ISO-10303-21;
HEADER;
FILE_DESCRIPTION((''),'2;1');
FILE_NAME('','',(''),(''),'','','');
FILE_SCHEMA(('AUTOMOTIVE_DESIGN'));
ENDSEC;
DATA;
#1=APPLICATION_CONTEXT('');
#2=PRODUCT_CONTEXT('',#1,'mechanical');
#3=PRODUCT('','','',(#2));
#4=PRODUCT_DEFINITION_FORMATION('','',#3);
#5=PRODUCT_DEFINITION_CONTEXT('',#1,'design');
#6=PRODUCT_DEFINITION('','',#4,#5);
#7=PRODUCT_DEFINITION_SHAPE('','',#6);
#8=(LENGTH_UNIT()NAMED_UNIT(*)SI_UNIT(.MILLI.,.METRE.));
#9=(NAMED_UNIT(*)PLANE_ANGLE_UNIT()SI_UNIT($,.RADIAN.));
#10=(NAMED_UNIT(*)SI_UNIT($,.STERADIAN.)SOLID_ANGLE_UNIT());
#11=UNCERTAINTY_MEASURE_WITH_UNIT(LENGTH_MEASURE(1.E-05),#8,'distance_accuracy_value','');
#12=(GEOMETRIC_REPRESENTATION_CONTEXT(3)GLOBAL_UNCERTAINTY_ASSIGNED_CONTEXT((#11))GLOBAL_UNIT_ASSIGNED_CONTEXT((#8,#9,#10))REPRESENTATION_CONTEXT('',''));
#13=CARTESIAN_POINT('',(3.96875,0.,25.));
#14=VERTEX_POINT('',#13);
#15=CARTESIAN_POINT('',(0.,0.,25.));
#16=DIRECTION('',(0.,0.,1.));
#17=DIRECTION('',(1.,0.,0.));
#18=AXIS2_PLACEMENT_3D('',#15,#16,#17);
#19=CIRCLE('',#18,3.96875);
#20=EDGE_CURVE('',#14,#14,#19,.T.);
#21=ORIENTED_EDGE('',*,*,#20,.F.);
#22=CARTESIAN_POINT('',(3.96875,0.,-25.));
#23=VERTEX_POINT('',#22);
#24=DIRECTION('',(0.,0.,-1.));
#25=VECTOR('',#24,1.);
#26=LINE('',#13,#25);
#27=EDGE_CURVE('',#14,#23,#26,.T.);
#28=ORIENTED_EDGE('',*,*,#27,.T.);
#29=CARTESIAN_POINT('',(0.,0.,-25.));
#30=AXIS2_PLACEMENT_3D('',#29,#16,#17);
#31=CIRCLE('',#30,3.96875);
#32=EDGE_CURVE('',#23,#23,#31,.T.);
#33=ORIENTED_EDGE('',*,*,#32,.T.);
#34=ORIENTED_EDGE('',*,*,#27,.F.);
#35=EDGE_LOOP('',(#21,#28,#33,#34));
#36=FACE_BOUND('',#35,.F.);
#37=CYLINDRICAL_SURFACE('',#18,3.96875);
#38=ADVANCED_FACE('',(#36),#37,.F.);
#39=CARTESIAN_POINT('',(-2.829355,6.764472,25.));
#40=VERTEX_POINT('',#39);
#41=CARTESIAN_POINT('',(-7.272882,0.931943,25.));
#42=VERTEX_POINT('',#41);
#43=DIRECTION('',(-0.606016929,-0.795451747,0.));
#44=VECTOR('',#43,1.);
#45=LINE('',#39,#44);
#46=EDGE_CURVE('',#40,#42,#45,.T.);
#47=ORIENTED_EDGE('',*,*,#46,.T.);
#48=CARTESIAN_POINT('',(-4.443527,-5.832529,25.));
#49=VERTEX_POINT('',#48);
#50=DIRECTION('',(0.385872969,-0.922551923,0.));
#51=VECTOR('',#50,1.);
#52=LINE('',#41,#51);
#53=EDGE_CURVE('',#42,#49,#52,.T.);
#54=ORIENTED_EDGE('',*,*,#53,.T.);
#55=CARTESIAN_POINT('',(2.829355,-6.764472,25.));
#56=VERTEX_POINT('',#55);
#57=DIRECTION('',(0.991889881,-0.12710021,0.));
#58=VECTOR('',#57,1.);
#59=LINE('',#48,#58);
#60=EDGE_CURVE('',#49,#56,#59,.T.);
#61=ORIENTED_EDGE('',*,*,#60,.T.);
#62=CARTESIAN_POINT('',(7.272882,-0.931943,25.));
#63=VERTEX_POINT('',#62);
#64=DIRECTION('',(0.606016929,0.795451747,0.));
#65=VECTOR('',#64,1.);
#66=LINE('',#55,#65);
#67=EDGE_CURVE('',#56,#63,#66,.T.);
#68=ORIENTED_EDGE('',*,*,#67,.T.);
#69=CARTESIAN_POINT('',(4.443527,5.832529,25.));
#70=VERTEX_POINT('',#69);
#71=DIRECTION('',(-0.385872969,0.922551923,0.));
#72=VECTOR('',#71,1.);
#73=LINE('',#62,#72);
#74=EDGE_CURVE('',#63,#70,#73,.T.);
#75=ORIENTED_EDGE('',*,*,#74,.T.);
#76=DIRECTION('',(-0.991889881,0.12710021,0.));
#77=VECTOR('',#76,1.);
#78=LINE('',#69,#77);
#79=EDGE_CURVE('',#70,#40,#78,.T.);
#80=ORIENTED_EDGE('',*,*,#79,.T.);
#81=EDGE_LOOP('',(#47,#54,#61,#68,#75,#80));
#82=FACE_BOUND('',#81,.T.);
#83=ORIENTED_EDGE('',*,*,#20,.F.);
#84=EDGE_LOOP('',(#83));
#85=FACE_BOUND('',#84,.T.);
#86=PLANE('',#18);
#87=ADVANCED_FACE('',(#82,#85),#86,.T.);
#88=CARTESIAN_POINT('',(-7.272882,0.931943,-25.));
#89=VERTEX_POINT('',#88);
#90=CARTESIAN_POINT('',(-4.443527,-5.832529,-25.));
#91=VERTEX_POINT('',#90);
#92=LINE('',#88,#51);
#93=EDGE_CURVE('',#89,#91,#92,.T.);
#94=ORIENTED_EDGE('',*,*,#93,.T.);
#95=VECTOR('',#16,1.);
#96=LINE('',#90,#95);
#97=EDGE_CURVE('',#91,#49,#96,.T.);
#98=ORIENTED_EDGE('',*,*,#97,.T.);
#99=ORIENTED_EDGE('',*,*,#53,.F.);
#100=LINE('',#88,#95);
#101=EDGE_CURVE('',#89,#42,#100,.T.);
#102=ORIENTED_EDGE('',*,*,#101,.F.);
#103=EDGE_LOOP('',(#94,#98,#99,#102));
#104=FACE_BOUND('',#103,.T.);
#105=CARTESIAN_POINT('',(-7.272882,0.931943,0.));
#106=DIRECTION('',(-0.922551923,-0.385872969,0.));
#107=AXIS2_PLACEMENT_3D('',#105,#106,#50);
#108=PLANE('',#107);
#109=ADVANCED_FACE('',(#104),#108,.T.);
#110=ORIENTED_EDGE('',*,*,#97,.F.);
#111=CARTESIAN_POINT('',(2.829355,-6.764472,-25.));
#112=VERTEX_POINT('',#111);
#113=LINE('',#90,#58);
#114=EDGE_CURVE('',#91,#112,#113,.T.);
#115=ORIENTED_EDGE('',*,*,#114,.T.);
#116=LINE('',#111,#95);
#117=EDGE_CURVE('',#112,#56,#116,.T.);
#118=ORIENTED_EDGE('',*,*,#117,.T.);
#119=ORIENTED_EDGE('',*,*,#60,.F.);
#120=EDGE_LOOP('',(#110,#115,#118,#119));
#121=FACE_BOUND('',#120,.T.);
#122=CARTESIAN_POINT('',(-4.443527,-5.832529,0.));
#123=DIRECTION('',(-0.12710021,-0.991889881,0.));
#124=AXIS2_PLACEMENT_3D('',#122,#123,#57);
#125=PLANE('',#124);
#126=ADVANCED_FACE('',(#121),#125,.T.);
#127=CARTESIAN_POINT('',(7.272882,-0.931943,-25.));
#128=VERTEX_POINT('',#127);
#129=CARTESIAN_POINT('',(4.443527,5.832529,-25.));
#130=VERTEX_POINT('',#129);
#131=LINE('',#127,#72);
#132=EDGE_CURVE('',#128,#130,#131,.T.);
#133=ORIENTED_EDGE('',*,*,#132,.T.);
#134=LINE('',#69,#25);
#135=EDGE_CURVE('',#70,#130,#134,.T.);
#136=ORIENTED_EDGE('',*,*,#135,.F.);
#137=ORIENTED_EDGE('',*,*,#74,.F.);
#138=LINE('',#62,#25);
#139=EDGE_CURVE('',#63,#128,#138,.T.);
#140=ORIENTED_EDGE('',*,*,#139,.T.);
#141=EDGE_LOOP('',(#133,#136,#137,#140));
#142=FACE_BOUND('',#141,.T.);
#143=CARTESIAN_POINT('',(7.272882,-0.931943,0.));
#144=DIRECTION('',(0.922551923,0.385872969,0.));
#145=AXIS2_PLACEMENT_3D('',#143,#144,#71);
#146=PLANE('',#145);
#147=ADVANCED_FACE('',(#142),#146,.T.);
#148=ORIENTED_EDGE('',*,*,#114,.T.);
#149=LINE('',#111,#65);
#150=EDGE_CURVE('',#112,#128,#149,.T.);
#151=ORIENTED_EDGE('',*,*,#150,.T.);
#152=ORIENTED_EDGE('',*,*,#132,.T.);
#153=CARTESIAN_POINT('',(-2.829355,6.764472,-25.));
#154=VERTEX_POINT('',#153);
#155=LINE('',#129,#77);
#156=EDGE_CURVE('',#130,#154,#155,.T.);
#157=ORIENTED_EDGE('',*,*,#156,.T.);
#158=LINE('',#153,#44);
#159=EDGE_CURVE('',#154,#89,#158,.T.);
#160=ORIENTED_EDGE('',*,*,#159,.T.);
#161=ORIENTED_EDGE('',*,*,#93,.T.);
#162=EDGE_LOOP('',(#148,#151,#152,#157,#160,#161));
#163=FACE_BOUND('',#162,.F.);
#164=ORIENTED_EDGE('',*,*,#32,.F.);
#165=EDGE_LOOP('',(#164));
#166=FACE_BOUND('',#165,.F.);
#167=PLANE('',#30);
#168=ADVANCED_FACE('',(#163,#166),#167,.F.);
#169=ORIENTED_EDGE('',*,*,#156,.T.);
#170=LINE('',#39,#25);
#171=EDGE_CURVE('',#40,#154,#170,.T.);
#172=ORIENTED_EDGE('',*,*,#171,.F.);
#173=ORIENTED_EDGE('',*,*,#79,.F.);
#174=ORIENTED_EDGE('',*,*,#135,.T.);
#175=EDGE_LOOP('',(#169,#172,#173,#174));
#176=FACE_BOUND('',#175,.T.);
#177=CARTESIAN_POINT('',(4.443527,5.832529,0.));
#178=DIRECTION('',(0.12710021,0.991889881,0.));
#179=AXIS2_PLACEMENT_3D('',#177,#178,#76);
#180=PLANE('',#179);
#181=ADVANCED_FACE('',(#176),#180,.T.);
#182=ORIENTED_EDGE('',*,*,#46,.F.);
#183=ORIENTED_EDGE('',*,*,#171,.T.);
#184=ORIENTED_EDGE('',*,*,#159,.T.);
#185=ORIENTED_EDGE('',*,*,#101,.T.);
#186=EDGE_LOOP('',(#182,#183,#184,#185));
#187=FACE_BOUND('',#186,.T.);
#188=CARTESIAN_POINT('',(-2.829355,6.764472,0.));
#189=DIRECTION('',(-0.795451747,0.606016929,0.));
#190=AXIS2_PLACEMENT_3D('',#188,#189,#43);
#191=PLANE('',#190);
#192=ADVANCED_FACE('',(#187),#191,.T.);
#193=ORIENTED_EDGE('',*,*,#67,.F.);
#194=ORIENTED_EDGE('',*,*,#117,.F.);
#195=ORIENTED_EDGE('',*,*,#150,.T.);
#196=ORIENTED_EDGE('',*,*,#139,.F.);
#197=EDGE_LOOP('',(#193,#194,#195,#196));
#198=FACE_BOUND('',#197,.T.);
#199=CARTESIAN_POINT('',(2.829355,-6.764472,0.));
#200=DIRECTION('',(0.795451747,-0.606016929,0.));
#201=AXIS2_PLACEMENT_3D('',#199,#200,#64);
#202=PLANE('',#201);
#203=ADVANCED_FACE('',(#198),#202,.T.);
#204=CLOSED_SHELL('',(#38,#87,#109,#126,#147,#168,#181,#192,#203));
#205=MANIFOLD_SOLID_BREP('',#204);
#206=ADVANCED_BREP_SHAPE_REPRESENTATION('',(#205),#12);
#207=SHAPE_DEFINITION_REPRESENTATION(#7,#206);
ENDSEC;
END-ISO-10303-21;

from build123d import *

# Parameters (mm, degrees)
F1_DEPTH = 25
F2_R     = 3.96875
F3_DEPTH = 50.001


with BuildPart() as f1:
    # F0 (on Top) → F1 (new body, symmetric)
    with BuildSketch(Plane.XY):
        Polygon((-2.829355, 6.764472), (-7.272882, 0.931943), (-4.443527, -5.832529), (2.829355, -6.764472), (7.272882, -0.931943), (4.443527, 5.832529), align=None)
    extrude(amount=F1_DEPTH, both=True)

    # F2 (on face) → F3 (cut, through all)
    with BuildSketch(Plane.XY.offset(25)):
        Circle(F2_R)
    extrude(amount=-F3_DEPTH, mode=Mode.SUBTRACT)


solid = f1.part
